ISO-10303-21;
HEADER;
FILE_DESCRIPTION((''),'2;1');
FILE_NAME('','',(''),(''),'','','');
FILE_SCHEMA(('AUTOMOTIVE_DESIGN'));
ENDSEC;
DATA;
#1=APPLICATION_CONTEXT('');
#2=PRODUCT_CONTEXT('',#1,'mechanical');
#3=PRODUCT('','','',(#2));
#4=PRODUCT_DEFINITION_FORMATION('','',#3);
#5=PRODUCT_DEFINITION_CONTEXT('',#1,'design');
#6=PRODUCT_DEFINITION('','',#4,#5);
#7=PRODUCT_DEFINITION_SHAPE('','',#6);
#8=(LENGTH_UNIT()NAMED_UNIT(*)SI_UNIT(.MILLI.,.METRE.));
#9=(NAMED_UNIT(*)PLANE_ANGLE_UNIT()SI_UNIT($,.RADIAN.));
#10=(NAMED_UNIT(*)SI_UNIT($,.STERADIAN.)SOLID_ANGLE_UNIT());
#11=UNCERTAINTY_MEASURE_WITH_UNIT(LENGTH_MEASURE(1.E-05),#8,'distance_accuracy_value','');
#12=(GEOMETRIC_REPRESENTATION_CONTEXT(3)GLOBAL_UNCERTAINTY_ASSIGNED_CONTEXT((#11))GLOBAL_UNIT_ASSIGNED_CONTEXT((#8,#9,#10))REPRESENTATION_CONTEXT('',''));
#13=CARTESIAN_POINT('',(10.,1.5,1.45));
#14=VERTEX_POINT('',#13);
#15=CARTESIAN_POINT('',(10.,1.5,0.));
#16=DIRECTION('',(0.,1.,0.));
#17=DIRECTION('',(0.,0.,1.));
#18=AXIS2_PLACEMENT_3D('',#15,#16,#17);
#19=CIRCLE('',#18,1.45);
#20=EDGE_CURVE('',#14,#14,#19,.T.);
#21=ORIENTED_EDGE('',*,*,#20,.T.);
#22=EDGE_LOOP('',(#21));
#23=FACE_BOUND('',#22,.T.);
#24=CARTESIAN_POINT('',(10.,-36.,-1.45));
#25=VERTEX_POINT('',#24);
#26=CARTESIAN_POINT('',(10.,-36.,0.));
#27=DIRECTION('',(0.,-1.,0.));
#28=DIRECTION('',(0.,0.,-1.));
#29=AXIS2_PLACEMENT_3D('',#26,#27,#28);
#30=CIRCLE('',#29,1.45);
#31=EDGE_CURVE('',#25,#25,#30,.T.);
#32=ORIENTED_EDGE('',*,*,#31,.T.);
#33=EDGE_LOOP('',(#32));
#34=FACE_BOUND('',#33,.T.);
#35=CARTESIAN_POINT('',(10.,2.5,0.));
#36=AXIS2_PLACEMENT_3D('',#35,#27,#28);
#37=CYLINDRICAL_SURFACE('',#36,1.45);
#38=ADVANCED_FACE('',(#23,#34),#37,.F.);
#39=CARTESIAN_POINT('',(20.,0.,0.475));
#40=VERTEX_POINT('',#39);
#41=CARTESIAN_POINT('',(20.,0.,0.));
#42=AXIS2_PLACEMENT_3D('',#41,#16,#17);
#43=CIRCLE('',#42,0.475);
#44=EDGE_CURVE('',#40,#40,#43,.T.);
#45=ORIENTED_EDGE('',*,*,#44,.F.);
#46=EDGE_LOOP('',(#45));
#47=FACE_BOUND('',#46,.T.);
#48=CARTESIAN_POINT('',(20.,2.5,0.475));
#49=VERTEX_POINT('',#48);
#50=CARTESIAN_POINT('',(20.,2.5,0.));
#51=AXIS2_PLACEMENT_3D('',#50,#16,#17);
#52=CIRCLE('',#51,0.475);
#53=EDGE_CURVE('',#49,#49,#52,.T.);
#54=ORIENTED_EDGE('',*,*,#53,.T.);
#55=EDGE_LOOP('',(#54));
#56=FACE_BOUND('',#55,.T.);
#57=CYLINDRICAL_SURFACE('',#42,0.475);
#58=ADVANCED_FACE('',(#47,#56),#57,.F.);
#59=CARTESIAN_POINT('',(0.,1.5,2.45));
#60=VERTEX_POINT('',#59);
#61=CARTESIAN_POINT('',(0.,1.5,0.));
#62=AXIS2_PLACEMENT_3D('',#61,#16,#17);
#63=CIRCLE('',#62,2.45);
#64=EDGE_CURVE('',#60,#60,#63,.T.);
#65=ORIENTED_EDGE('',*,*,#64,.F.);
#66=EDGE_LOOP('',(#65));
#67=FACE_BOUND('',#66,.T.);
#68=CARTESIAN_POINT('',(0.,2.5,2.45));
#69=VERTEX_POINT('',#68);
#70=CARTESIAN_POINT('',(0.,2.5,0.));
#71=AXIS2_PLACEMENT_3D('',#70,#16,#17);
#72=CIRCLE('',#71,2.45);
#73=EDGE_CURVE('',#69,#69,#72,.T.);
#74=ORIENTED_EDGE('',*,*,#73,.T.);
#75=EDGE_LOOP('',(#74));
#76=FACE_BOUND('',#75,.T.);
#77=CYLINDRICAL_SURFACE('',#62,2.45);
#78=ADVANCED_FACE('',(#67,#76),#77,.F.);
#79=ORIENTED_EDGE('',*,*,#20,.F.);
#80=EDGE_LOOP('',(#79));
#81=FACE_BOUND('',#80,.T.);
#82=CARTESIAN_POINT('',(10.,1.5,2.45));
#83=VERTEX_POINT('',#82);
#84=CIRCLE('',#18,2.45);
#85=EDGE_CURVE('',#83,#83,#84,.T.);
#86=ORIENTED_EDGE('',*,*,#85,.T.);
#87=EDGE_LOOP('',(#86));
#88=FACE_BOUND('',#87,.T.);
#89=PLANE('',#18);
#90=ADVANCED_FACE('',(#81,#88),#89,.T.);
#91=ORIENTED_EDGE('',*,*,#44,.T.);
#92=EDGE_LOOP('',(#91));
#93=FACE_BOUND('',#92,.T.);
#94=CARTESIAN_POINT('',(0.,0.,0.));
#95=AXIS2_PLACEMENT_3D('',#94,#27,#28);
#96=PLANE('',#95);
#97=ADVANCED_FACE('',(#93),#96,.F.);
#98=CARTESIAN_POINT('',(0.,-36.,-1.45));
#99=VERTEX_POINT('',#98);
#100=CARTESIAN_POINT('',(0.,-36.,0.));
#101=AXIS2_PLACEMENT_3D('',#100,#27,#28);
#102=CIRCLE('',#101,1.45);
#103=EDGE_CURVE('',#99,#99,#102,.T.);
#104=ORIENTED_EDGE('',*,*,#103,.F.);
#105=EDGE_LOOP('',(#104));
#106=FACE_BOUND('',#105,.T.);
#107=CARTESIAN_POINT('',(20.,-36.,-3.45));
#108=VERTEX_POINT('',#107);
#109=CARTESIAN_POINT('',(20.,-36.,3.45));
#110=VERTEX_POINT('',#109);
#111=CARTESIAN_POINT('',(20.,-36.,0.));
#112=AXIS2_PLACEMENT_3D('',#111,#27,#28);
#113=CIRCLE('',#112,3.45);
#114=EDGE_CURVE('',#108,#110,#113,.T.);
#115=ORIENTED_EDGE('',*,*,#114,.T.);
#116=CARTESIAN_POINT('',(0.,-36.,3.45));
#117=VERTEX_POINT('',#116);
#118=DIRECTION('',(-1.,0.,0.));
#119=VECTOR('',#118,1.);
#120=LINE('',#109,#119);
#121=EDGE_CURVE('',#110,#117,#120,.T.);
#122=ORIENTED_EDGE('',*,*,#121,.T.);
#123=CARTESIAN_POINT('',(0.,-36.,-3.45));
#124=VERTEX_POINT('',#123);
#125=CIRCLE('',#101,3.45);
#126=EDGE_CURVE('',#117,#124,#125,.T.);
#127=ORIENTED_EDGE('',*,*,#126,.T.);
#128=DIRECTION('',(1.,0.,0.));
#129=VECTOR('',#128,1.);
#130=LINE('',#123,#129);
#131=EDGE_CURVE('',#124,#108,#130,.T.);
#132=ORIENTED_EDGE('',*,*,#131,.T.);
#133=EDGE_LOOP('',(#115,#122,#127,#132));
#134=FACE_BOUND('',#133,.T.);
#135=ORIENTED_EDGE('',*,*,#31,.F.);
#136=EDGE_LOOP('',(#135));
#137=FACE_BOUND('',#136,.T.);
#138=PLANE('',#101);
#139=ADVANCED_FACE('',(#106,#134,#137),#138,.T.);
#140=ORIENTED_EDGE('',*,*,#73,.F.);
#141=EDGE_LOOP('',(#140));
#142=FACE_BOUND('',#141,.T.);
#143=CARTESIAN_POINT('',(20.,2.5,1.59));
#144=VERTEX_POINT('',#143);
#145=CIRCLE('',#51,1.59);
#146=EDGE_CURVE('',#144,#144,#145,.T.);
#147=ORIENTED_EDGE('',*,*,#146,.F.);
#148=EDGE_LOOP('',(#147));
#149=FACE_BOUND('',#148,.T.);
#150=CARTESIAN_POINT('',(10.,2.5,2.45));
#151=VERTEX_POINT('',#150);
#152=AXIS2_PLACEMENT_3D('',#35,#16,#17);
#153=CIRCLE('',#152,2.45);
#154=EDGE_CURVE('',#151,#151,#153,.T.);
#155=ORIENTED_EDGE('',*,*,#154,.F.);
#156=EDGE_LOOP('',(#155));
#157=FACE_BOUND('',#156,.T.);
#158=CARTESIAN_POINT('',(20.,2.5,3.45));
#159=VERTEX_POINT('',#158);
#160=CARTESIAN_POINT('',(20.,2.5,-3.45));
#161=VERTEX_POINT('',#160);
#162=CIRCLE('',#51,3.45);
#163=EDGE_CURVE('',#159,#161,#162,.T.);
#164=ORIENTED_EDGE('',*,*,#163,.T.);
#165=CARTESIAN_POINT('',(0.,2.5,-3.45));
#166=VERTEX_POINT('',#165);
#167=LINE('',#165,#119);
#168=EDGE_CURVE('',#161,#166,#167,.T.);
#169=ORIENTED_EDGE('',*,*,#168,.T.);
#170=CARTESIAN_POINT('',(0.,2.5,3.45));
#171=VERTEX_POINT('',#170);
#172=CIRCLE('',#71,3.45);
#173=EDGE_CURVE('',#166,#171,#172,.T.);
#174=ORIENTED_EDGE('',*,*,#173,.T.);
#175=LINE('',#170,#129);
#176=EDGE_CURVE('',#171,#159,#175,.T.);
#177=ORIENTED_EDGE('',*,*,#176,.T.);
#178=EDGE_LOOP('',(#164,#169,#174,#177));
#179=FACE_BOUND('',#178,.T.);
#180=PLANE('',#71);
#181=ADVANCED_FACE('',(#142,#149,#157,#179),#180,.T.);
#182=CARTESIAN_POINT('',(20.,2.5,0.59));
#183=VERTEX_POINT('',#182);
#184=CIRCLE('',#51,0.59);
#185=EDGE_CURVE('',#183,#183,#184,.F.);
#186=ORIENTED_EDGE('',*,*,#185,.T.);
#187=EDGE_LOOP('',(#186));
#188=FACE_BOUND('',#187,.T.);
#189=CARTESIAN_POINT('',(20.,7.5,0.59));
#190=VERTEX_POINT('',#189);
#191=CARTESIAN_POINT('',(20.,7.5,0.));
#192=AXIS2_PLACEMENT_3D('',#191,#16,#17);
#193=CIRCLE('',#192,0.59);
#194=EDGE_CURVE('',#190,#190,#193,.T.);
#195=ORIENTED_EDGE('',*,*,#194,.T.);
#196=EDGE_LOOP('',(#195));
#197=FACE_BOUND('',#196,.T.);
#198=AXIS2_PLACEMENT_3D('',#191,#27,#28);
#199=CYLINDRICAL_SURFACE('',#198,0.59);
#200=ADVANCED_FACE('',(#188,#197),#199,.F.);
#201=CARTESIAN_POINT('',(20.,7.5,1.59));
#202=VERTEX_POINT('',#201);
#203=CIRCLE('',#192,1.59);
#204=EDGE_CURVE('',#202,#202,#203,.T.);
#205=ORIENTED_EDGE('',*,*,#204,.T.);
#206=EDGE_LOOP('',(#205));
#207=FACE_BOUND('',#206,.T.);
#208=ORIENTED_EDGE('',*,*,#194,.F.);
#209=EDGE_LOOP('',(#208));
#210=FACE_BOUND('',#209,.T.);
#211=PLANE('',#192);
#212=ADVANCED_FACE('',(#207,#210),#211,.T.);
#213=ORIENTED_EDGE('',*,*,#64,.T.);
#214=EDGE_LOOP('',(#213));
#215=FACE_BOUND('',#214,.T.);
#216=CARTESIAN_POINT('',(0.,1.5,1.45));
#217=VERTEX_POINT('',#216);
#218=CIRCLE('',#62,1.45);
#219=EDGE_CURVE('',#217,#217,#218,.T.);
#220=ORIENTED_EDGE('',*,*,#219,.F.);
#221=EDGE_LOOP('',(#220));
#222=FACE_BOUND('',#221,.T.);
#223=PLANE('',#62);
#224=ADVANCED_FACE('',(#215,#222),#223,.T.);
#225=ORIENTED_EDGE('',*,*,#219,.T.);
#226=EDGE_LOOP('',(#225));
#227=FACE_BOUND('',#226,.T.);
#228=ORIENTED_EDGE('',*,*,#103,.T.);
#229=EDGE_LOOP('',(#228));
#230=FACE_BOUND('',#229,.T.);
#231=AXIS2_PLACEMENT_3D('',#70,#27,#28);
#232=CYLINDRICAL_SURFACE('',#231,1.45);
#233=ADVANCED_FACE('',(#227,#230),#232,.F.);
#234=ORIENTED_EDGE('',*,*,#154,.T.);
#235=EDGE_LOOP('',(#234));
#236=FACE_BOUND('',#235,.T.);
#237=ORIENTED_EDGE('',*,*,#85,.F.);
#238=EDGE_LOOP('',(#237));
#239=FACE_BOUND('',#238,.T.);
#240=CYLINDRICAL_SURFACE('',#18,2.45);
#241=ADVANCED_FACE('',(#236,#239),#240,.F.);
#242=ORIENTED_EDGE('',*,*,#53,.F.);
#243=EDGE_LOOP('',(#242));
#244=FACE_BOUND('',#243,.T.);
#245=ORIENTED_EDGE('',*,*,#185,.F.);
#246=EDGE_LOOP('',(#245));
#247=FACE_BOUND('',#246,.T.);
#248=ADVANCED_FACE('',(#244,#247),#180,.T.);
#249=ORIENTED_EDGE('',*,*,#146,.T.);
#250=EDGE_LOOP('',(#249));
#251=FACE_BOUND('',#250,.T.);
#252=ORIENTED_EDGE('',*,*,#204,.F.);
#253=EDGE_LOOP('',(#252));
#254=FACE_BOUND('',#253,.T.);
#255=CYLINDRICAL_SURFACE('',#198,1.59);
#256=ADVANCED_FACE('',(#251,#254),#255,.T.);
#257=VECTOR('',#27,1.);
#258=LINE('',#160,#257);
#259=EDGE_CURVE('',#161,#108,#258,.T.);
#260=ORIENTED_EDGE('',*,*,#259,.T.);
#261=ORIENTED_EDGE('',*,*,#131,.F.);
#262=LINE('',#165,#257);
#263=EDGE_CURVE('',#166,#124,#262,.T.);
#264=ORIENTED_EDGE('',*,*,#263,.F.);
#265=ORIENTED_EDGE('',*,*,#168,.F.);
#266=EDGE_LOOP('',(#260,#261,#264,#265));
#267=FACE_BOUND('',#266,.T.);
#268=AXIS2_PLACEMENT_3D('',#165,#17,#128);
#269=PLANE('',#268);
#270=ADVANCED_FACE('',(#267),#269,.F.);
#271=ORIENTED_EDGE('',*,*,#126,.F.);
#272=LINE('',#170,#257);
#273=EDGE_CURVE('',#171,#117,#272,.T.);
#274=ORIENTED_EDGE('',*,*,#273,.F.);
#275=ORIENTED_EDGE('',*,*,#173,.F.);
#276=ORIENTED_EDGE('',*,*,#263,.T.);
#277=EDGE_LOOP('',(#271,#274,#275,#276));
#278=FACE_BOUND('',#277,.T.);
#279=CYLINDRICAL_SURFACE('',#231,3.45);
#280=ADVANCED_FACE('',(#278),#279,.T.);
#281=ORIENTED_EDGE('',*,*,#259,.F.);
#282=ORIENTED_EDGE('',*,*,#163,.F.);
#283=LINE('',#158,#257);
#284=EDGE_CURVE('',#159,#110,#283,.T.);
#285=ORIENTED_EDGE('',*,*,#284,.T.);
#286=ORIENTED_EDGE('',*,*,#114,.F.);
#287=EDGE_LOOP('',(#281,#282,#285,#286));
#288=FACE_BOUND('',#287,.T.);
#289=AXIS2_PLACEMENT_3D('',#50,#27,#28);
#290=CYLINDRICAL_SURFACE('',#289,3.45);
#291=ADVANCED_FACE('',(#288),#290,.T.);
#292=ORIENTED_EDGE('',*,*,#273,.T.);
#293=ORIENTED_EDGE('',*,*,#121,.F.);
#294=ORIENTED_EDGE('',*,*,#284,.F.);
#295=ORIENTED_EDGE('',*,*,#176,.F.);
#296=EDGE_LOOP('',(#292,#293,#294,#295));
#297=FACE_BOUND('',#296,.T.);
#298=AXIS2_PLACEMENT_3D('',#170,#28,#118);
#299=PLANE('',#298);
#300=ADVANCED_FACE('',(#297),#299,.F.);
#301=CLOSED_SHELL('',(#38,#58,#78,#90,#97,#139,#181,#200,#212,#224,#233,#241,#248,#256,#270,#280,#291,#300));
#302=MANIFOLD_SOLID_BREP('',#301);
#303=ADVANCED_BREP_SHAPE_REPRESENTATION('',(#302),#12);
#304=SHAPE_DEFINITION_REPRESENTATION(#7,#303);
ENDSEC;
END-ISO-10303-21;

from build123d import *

# Parameters (mm, degrees)
CROQUIS2_R              = 1.45
SALIENTE_EXTRUIR1_DEPTH = 2.5
CROQUIS4_R              = 2.45
CORTAR_EXTRUIR1_DEPTH   = 1
CROQUIS5_R              = 1.59
CROQUIS5_R_2            = 0.59
SALIENTE_EXTRUIR2_DEPTH = 5
CROQUIS6_R              = 0.475
CORTAR_EXTRUIR2_DEPTH   = 25.224058289
SALIENTE_EXTRUIR3_START = 36
CROQUIS7_R              = 1.45
SALIENTE_EXTRUIR3_DEPTH = 36


with BuildPart() as part:
    # Croquis2 → Saliente-Extruir1 (new body)
    with BuildSketch(Plane(origin=(0, 0, 0), x_dir=(1, 0, 0), z_dir=(0, 1, 0))):
        with BuildLine():
            Line((0, 3.45), (20, 3.45))
            ThreePointArc((20, 3.45), (23.45, 0), (20, -3.45))
            Line((20, -3.45), (0, -3.45))
            ThreePointArc((0, -3.45), (-3.45, 0), (0, 3.45))
        make_face()
        with Locations(Location((0, 0, 0), (0, 0, 270))):
            Circle(CROQUIS2_R, mode=Mode.SUBTRACT)
        with Locations(Location((10, 0, 0), (0, 0, 270))):
            Circle(CROQUIS2_R, mode=Mode.SUBTRACT)
    extrude(amount=SALIENTE_EXTRUIR1_DEPTH)

    # Croquis4 → Cortar-Extruir1 (cut)
    with BuildSketch(Plane(origin=(0, 2.5, 0), x_dir=(1, 0, 0), z_dir=(0, 1, 0))):
        with Locations(Location((0, 0, 0), (0, 0, 270))):
            Circle(CROQUIS4_R)
        with Locations(Location((10, 0, 0), (0, 0, 270))):
            Circle(CROQUIS4_R)
    extrude(amount=-CORTAR_EXTRUIR1_DEPTH, mode=Mode.SUBTRACT)

    # Croquis5 → Saliente-Extruir2 (add)
    with BuildSketch(Plane(origin=(0, 2.5, 0), x_dir=(1, 0, 0), z_dir=(0, 1, 0))):
        with Locations(Location((20, 0, 0), (0, 0, 270))):
            Circle(CROQUIS5_R)
        with Locations(Location((20, 0, 0), (0, 0, 270))):
            Circle(CROQUIS5_R_2, mode=Mode.SUBTRACT)
    extrude(amount=SALIENTE_EXTRUIR2_DEPTH)

    # Croquis6 → Cortar-Extruir2 (cut, through all)
    with BuildSketch(Plane(origin=(0, 2.5, 0), x_dir=(1, 0, 0), z_dir=(0, 1, 0))):
        with Locations(Location((20, 0, 0), (0, 0, 270))):
            Circle(CROQUIS6_R)
    extrude(amount=-CORTAR_EXTRUIR2_DEPTH, mode=Mode.SUBTRACT)

    # Croquis7 → Saliente-Extruir3 (add)
    with BuildSketch(Plane.XZ.offset(SALIENTE_EXTRUIR3_START)):
        with BuildLine():
            Line((0, -3.45), (20, -3.45))
            ThreePointArc((20, -3.45), (23.45, 0), (20, 3.45))
            Line((20, 3.45), (0, 3.45))
            ThreePointArc((0, 3.45), (-3.45, 0), (0, -3.45))
        make_face()
        with Locations(Location((0, 0, 0), (0, 0, 270))):
            Circle(CROQUIS7_R, mode=Mode.SUBTRACT)
        with Locations(Location((10, 0, 0), (0, 0, 270))):
            Circle(CROQUIS7_R, mode=Mode.SUBTRACT)
    extrude(amount=-SALIENTE_EXTRUIR3_DEPTH)


solid = part.part
